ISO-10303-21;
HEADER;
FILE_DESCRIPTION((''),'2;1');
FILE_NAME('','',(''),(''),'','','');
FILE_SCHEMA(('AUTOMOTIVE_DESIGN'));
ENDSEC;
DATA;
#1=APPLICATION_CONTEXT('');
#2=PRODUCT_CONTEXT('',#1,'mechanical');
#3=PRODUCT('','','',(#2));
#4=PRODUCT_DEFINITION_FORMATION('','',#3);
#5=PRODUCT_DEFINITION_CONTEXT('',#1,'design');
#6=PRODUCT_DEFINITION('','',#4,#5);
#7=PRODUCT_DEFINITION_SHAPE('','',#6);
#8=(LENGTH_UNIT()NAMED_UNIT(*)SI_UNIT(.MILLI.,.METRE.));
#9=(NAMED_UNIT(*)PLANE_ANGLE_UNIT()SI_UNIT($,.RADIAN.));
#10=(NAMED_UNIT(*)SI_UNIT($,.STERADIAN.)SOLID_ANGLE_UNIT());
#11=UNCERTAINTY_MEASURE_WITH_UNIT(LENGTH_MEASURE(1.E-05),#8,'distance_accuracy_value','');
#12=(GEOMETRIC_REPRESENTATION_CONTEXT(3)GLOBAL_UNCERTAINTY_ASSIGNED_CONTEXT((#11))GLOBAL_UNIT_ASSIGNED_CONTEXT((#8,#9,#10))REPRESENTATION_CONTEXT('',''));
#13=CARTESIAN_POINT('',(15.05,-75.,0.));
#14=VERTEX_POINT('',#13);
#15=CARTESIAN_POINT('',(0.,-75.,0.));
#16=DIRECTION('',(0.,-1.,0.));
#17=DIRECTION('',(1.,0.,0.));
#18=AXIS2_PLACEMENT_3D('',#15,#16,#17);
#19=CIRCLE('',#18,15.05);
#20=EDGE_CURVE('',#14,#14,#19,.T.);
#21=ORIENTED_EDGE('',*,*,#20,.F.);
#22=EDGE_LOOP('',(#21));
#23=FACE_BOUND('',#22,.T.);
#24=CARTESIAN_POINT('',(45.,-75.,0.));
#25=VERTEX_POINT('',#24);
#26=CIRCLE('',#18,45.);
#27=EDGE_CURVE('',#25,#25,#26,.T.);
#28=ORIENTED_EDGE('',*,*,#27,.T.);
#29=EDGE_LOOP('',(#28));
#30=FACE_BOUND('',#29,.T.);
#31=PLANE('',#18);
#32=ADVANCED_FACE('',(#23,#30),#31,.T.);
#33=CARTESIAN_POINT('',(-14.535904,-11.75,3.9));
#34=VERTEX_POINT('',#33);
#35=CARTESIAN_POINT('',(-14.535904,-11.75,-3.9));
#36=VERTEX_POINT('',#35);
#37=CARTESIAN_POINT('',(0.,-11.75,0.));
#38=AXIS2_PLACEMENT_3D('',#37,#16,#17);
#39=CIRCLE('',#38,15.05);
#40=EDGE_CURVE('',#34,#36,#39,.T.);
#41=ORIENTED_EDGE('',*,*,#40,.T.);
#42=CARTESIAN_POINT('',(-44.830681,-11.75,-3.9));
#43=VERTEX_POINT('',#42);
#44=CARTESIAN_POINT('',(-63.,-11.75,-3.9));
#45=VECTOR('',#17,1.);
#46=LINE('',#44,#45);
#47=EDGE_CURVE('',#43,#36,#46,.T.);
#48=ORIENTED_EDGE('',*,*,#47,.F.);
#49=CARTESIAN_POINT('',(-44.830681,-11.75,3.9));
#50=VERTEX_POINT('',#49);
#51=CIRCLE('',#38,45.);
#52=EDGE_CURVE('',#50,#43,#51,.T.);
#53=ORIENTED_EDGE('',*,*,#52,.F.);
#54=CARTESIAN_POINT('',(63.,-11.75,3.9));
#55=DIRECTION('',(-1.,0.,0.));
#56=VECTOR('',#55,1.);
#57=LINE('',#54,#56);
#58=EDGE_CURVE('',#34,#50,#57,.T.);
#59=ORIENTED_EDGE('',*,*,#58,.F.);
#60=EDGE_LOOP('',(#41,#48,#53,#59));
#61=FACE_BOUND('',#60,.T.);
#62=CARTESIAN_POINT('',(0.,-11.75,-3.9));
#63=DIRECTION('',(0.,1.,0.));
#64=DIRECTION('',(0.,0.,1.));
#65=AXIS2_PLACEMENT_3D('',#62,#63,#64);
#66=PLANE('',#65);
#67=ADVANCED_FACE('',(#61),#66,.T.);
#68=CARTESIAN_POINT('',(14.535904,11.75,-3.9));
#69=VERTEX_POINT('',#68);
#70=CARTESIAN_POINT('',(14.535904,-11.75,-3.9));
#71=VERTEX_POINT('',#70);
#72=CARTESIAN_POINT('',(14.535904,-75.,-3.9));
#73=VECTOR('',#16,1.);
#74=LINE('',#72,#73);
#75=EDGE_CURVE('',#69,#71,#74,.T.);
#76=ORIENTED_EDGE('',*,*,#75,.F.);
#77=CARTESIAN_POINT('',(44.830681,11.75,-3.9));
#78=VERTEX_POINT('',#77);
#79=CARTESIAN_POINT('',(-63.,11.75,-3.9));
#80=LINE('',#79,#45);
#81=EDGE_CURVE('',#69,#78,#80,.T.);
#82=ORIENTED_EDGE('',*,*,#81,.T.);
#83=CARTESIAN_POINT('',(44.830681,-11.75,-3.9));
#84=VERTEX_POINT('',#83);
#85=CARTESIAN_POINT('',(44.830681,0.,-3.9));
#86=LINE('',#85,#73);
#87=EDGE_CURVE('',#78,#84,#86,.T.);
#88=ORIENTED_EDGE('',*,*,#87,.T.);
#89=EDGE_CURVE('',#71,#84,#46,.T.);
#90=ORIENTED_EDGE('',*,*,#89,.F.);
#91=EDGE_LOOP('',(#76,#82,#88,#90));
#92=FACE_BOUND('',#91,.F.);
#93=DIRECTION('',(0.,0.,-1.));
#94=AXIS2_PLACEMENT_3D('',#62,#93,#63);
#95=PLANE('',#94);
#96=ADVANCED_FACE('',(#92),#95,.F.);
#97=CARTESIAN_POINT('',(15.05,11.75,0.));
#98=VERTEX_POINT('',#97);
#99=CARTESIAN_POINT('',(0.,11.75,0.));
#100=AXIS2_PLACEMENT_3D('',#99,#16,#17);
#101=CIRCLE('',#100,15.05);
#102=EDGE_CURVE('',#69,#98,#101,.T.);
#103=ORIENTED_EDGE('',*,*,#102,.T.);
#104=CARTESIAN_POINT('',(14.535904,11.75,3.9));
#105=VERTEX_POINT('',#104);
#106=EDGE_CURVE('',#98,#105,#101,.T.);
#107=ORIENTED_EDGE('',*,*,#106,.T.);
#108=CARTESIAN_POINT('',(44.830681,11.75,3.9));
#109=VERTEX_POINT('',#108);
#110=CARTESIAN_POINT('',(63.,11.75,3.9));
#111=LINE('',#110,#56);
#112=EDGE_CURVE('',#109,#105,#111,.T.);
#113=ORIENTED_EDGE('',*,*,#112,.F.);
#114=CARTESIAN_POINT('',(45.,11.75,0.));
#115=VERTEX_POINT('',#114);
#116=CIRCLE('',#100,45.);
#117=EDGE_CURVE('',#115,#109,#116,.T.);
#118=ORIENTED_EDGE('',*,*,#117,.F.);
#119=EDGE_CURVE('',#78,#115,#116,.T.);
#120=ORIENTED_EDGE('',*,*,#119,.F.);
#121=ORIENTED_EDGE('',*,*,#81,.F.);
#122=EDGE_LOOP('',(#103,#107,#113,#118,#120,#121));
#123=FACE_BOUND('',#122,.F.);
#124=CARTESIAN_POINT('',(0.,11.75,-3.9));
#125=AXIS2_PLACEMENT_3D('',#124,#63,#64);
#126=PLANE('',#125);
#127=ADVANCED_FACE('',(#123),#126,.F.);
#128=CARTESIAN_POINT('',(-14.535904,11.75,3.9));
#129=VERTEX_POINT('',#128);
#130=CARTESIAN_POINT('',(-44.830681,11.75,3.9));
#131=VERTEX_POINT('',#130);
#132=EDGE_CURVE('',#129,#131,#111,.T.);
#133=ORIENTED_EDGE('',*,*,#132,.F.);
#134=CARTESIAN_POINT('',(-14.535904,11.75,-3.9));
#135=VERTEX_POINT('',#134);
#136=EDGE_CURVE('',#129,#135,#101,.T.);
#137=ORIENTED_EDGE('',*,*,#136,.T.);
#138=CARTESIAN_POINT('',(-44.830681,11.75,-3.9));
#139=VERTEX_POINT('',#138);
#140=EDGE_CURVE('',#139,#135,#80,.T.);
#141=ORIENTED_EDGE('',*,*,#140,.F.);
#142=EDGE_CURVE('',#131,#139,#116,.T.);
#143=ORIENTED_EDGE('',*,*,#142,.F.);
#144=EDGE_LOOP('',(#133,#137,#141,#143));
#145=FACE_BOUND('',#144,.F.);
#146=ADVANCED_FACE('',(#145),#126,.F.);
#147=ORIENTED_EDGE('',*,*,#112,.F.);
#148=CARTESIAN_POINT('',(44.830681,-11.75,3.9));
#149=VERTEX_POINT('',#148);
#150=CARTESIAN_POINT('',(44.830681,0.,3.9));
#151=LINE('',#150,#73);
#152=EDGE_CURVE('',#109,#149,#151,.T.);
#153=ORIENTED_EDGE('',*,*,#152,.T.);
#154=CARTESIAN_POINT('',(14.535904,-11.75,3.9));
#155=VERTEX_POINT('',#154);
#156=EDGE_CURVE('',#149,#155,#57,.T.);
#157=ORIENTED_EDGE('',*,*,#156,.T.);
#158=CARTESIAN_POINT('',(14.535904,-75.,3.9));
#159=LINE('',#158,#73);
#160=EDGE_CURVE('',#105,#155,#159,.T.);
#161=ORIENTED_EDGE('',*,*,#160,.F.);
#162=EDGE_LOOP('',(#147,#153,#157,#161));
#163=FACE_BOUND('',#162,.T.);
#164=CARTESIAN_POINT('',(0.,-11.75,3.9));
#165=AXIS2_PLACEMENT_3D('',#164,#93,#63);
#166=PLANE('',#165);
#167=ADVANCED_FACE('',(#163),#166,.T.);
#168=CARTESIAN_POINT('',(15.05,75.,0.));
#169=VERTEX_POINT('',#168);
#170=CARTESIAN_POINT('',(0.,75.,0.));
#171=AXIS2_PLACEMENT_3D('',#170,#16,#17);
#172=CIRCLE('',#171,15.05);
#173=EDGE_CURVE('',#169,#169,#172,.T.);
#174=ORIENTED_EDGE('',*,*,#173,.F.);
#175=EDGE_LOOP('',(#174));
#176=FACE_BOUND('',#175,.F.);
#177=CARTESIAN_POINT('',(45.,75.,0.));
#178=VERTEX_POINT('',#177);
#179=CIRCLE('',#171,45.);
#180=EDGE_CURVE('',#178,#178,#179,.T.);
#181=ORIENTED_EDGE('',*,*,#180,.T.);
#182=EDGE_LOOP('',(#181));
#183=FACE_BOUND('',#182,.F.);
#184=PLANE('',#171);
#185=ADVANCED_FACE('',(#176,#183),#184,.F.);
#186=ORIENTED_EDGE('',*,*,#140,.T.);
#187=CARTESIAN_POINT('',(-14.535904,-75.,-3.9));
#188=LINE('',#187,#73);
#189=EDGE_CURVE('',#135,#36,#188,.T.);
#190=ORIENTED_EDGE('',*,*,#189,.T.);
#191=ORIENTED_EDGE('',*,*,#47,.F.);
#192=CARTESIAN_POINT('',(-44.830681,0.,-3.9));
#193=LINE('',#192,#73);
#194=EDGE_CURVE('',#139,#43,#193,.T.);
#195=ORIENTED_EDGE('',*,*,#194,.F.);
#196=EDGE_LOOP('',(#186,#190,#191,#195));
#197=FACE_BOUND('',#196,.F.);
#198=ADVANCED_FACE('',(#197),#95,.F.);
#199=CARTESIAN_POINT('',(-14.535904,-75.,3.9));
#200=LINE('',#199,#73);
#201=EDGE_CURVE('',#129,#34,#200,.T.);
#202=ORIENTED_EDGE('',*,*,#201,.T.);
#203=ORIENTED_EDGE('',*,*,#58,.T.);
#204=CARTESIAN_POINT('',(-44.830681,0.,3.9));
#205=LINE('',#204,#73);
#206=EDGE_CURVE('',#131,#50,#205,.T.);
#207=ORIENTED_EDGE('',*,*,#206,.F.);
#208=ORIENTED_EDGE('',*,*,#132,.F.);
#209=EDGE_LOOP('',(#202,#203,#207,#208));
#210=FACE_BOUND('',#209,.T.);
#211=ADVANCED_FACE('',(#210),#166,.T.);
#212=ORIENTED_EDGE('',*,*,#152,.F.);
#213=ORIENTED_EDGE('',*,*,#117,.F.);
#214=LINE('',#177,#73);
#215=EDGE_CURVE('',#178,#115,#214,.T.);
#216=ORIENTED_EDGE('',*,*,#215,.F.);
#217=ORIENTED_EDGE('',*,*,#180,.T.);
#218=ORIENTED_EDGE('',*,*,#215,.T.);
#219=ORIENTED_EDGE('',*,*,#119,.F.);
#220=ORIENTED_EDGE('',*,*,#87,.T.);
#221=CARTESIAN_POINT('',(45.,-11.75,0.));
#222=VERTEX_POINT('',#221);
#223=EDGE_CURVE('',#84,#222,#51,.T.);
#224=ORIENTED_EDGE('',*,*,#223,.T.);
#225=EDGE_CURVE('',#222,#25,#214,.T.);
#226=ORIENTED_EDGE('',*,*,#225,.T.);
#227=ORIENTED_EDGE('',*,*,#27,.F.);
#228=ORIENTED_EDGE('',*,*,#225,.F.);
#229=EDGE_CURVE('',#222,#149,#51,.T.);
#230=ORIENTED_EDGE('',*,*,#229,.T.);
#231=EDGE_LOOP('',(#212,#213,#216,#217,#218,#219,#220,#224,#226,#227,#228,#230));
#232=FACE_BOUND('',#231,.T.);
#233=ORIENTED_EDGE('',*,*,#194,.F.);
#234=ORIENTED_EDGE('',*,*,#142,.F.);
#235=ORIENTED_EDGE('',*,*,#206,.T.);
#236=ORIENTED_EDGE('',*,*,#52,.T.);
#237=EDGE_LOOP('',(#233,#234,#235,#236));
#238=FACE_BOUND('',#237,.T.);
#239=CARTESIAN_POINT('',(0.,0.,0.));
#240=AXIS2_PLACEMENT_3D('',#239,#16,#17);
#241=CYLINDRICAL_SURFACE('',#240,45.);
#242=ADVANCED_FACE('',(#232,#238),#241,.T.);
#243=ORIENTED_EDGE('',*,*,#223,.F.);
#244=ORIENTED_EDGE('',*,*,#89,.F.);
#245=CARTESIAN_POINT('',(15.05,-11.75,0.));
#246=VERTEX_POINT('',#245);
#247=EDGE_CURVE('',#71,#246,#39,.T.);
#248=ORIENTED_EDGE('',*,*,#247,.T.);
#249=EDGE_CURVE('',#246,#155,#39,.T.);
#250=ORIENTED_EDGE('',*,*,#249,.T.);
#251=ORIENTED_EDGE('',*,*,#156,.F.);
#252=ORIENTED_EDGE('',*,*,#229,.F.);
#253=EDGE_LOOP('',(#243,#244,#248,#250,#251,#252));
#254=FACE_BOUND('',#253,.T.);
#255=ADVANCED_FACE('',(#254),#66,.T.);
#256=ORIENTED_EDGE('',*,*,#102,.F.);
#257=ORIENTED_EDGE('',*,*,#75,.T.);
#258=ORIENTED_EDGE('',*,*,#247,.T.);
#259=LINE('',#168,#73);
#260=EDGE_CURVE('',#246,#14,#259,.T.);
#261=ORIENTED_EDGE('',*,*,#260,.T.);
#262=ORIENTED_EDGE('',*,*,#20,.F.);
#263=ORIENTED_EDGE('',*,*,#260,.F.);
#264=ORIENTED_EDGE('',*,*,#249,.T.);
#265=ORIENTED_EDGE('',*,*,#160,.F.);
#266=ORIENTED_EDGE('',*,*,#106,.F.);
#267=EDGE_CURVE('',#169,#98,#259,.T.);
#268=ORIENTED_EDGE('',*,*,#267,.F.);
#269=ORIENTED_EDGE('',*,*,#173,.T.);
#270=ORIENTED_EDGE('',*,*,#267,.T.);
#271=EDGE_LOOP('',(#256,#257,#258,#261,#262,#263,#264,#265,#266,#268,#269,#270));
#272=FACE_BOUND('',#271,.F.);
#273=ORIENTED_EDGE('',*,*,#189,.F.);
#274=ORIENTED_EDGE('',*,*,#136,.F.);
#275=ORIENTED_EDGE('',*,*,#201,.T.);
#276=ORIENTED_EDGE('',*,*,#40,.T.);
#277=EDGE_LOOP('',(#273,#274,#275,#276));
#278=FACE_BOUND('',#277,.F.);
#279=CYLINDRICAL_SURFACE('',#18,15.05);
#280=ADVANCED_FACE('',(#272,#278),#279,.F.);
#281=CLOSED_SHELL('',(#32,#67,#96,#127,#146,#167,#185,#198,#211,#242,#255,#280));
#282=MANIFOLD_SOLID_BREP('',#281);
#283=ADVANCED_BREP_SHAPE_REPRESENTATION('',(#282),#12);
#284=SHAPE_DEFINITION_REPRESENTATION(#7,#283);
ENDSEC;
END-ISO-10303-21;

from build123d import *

# Parameters (mm, degrees)
F0_R     = 45
F1_DEPTH = 75
F2_R     = 15.05
F3_DEPTH = 150
F4_W     = 23.5
F4_H     = 7.8
F5_DEPTH = 63


with BuildPart() as f1:
    # F0 (on Front) → F1 (new body, symmetric)
    with BuildSketch(Plane.XZ):
        Circle(F0_R)
    extrude(amount=F1_DEPTH, both=True)

    # F2 (on face) → F3 (cut, symmetric)
    with BuildSketch(Plane.XZ.offset(75)):
        Circle(F2_R)
    extrude(amount=F3_DEPTH, both=True, mode=Mode.SUBTRACT)

    # F4 (on Right) → F5 (cut, symmetric)
    with BuildSketch(Plane.YZ):
        Rectangle(F4_W, F4_H)
    extrude(amount=F5_DEPTH, both=True, mode=Mode.SUBTRACT)


solid = f1.part
